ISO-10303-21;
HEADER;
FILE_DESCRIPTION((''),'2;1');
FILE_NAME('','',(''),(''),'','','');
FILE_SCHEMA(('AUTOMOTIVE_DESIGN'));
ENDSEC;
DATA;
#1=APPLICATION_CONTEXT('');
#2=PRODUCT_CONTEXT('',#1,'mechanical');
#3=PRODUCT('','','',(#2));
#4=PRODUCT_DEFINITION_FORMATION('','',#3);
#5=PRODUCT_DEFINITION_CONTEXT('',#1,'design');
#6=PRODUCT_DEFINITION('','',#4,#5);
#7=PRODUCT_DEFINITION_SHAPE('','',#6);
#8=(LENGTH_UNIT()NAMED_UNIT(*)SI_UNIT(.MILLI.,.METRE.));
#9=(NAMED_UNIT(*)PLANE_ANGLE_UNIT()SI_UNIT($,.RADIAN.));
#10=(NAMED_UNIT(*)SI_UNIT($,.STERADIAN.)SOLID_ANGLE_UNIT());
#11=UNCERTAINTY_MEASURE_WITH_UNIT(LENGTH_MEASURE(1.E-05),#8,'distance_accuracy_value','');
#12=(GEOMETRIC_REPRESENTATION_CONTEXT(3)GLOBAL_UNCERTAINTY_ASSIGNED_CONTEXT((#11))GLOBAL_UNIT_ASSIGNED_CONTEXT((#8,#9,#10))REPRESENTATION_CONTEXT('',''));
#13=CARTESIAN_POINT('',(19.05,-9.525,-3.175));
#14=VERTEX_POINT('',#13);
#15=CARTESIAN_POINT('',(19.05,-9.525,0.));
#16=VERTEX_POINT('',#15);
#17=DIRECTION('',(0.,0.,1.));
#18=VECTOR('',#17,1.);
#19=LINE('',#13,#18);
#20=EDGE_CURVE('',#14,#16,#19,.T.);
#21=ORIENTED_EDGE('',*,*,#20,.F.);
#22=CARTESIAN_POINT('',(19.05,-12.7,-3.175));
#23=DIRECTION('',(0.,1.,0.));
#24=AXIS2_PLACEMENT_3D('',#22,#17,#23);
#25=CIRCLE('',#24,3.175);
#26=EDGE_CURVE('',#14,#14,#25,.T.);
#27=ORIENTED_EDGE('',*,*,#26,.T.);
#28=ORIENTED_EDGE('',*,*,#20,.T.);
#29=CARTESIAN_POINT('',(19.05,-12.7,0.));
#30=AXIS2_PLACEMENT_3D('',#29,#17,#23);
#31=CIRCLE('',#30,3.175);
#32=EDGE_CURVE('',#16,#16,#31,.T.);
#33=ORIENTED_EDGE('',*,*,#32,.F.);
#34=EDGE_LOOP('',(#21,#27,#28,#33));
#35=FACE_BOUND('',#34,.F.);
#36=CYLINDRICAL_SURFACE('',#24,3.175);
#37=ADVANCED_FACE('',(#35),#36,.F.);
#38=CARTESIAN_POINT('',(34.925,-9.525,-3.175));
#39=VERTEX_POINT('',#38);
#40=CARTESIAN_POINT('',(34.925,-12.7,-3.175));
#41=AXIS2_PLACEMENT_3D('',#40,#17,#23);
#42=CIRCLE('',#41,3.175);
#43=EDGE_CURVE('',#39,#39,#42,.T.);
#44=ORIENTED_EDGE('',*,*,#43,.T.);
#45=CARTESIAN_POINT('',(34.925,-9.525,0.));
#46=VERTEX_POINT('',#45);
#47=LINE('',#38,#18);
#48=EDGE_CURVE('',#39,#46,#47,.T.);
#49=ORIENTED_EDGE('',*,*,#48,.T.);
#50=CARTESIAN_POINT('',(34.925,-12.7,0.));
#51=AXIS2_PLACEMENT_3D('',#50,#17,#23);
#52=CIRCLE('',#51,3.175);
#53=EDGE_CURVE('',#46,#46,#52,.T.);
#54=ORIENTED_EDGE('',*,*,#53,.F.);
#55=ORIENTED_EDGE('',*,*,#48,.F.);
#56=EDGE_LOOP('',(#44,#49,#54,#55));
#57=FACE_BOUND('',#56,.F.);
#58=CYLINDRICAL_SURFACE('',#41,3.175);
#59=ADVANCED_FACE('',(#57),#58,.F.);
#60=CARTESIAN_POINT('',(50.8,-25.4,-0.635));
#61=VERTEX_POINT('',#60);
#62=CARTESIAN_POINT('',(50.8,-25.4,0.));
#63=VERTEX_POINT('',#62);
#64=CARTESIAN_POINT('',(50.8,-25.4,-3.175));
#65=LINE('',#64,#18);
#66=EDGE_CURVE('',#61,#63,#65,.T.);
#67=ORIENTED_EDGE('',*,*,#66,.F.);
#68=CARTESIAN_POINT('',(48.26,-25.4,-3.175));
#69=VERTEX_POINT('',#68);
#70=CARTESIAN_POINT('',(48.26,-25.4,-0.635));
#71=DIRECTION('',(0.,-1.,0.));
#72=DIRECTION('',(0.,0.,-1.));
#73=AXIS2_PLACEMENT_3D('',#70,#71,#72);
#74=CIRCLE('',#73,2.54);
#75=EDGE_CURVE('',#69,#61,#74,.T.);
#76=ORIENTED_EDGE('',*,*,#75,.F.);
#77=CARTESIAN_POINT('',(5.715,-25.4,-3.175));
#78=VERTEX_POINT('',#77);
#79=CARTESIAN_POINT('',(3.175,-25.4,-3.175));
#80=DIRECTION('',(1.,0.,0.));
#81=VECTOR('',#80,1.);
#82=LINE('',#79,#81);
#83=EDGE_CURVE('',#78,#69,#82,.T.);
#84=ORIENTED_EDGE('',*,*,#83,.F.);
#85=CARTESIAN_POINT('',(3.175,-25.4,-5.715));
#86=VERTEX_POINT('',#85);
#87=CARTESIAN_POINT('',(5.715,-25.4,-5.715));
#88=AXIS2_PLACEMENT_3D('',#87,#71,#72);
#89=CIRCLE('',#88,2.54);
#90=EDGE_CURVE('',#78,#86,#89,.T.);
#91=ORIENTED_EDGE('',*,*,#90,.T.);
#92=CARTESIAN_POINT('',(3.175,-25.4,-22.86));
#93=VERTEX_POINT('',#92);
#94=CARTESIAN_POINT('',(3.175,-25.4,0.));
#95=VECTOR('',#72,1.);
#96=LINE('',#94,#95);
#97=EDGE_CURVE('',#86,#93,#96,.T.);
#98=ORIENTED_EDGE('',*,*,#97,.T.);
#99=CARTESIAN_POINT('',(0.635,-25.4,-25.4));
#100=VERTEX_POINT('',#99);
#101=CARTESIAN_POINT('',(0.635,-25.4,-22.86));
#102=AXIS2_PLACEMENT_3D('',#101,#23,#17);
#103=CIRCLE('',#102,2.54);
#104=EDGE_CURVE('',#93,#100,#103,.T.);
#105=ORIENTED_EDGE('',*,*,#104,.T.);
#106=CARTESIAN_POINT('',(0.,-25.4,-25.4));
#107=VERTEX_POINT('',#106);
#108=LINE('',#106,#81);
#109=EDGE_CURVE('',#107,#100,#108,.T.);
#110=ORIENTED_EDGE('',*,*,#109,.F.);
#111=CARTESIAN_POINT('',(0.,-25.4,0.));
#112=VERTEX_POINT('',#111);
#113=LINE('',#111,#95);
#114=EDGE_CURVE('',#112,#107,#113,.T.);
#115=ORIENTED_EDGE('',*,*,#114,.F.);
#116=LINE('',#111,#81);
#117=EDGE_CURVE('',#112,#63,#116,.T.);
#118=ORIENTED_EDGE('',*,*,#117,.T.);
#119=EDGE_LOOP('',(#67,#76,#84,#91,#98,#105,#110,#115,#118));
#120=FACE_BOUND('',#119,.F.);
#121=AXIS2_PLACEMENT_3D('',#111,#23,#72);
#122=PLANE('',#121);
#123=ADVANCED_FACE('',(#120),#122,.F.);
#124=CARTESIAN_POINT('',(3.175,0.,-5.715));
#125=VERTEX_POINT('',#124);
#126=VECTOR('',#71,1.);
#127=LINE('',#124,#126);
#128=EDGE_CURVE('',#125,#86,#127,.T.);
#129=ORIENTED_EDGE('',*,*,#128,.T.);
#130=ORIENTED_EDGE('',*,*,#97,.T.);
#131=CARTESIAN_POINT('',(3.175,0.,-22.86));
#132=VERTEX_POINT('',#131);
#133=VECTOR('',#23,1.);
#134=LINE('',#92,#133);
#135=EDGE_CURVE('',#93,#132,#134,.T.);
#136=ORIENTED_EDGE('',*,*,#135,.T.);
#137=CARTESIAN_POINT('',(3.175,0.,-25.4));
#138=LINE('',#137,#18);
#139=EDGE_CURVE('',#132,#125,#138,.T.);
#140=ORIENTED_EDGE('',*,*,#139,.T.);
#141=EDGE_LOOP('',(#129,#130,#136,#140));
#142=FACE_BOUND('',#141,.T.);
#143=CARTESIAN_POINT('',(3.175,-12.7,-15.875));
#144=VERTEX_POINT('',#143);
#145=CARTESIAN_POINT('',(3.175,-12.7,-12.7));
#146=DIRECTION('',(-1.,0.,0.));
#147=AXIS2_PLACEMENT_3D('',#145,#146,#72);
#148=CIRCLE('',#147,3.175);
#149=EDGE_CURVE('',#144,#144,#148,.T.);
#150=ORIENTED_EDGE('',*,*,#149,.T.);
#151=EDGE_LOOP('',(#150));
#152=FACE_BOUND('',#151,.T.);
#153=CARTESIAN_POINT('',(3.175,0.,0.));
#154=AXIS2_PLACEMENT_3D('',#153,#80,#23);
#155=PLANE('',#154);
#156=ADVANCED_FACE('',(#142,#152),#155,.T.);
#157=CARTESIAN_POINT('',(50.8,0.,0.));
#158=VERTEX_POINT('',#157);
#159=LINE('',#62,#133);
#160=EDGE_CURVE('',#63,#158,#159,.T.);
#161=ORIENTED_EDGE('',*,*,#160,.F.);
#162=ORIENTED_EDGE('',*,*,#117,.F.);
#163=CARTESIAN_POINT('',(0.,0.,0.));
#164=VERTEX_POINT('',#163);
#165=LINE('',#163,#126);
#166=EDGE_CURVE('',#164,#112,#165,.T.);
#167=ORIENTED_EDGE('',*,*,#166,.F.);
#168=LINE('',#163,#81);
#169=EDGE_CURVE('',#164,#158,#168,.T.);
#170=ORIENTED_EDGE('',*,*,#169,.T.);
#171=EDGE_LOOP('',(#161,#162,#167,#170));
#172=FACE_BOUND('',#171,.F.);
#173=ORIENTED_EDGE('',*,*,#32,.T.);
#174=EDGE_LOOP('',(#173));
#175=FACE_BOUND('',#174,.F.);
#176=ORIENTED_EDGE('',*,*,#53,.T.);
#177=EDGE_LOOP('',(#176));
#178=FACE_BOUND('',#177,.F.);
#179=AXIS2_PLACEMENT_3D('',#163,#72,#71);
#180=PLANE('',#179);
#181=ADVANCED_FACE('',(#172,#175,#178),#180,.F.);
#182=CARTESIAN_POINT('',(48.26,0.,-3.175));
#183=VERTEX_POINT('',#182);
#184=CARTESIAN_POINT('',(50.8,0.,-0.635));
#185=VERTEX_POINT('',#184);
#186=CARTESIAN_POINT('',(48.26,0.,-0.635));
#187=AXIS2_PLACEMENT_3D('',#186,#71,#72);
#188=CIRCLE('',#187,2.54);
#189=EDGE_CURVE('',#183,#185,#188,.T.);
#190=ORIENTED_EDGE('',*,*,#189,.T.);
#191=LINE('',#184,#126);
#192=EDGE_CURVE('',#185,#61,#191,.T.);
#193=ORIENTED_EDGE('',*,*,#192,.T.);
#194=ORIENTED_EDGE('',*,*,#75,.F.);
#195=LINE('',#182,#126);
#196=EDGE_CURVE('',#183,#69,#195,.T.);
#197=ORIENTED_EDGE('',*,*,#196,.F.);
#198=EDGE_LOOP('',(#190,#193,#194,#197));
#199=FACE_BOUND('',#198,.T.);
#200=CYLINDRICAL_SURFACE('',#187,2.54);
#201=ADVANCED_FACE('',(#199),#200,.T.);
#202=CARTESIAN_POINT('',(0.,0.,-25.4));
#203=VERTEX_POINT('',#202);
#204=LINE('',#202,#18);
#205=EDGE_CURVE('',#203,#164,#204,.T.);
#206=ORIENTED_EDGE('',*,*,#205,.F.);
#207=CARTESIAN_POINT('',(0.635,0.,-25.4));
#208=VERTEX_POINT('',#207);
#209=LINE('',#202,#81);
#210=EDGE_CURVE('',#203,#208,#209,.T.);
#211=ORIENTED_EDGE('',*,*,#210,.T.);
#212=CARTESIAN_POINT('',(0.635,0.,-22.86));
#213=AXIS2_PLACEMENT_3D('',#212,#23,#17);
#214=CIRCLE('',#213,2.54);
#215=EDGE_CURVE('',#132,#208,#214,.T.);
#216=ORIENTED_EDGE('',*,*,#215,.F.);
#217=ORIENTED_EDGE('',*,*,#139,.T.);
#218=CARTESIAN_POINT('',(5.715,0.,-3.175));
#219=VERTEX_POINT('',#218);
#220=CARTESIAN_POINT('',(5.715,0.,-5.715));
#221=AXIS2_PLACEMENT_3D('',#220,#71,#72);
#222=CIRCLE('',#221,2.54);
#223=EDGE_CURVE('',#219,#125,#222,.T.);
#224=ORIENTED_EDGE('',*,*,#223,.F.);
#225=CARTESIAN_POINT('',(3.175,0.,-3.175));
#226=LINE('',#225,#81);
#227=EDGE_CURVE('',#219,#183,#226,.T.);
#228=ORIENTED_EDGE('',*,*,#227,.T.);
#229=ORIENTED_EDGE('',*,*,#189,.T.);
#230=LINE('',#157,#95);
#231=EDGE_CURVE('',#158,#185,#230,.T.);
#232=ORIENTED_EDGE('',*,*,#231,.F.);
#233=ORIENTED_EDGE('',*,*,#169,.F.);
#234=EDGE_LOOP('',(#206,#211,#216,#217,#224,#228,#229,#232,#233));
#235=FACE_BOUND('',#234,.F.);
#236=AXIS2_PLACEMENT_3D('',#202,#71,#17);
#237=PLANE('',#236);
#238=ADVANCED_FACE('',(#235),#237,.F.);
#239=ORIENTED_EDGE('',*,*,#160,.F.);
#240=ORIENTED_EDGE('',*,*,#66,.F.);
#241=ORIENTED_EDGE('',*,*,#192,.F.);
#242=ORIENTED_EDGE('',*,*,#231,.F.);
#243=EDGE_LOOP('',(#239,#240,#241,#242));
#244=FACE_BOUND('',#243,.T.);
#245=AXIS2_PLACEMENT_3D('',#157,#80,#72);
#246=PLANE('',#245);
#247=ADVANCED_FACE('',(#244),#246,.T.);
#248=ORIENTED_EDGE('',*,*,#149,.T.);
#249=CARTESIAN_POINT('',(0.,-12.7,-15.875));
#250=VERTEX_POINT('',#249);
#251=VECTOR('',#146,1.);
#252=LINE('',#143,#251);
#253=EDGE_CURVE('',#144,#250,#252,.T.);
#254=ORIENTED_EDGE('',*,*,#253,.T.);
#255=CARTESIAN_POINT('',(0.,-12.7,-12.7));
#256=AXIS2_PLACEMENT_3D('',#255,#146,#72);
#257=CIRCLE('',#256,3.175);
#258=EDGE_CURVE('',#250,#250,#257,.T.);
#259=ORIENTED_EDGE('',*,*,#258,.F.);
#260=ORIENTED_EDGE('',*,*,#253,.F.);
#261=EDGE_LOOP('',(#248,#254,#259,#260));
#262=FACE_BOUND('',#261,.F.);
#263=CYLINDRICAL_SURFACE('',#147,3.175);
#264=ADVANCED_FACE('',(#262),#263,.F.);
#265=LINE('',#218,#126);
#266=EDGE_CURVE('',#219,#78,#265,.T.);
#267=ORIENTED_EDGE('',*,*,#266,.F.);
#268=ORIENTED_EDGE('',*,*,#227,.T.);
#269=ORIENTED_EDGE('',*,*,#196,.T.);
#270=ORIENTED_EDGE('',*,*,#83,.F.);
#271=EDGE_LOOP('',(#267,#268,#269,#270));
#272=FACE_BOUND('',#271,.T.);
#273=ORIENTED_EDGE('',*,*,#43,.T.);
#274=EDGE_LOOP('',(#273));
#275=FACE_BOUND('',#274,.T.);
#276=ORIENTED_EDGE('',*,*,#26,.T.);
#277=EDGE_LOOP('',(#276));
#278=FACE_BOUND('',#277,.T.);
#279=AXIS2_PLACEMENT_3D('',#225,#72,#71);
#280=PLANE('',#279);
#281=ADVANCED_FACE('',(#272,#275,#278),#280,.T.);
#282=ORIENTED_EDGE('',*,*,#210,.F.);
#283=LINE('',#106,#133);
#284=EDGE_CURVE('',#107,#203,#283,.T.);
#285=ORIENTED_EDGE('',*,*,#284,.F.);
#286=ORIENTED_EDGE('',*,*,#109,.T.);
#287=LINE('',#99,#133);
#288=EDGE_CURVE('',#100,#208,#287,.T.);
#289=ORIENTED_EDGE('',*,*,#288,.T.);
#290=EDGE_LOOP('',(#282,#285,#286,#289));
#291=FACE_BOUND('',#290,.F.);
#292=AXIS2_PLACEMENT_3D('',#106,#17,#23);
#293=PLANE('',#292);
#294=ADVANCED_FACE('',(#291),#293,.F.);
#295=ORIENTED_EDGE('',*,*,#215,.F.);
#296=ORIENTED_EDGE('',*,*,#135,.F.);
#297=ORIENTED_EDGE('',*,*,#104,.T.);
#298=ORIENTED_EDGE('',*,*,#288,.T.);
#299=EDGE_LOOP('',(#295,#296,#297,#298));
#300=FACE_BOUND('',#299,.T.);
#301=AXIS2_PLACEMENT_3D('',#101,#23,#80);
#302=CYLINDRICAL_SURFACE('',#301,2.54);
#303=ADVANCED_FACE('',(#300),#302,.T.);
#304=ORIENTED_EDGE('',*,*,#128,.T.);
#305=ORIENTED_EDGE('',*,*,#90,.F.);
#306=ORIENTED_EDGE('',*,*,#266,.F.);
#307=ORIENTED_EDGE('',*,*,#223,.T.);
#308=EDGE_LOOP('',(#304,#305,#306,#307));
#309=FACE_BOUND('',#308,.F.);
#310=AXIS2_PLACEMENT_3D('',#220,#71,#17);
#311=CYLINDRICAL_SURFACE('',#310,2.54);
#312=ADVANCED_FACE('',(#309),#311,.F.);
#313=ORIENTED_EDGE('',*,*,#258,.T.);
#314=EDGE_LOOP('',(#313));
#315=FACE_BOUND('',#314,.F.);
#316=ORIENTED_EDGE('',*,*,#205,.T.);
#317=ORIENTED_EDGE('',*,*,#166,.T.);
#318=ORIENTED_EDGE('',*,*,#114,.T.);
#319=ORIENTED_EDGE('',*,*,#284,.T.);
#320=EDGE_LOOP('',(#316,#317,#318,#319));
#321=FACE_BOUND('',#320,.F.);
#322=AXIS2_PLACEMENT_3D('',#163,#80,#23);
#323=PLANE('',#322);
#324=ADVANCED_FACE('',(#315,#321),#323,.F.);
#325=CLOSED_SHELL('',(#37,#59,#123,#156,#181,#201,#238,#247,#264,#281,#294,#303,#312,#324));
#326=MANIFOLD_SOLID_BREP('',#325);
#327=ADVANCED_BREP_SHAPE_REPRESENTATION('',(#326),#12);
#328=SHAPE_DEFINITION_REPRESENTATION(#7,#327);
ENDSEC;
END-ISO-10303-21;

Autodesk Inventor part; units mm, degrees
ref_plane "YZ Plane" through (0, 0, 0) normal (1, 0, 0) x (0, 1, 0)
ref_plane "XZ Plane" through (0, 0, 0) normal (0, 1, 0) x (-1, 0, 0)
ref_plane "XY Plane" through (0, 0, 0) normal (0, 0, 1) x (1, 0, 0)
sketch "Sketch1" plane through (0, 0, 0) normal (1, 0, 0) x (0, 1, 0)
  line L0 (0, 0) -> (-25.4, 0)
  line L1 (-25.4, 0) -> (-25.4, -25.4)
  line L2 (-25.4, -25.4) -> (0, -25.4)
  line L3 (0, -25.4) -> (0, 0)
  dimension "d0" = 25.4
  dimension "d1" = 25.4
extrude "Extrusion1" add sketch "Sketch1" along normal blind 3.175
sketch "Sketch2" plane through (3.175, 0, 0) normal (1, 0, 0) x (0, 0, -1)
  line L0 (0, 0) -> (3.175, 0)
  line L1 (3.175, 0) -> (3.175, -25.4)
  line L2 (3.175, -25.4) -> (0, -25.4)
  line L3 (0, -25.4) -> (0, 0)
  dimension "d4" = 3.175
  dimension "d5" = 25.4
extrude "Extrusion2" add sketch "Sketch2" along normal blind 47.625
sketch "Sketch3" plane through (3.175, -25.4, -3.175) normal (0, 0, -1) x (-1, 0, 0)
  line L0 (-47.625, 0) -> (-47.625, 25.4) projected
  line L1 (0, 0) -> (0, 25.4) projected
  line L2 (0, 0) -> (-47.625, 0) projected
  point P0 (3.175, 25.4)
  point P1 (-31.75, 12.7)
  point P2 (-15.875, 12.7)
  dimension "d8" = 15.875
  dimension "d9" = 15.875
  dimension "d10" = 15.875
  dimension "d11" = 12.7
hole "Hole1" at (34.925, -12.7, -3.175) at (19.05, -12.7, -3.175) direction (0, 0, 1) diameter 6.35 end through all
sketch "Sketch4" plane through (3.175, 0, 0) normal (1, 0, 0) x (0, 0, -1)
  line L0 (25.4, 0) -> (3.175, 0) projected
  line L1 (25.4, -25.4) -> (25.4, 0) projected
  point P0 (0, 0)
  point P1 (12.7, -12.7)
  dimension "d19" = 12.7
  dimension "d20" = 12.7
hole "Hole2" at (3.175, -12.7, -12.7) direction (-1, 0, 0) diameter 6.35 end through all
fillet "Fillet1" radius 2.54 1 edges at (50.8, -12.7, -3.175)
fillet "Fillet2" radius 2.54 1 edges at (3.175, -12.7, -3.175)
fillet "Fillet3" radius 2.54 1 edges at (3.175, -12.7, -25.4)
properties part number "L bracket"
